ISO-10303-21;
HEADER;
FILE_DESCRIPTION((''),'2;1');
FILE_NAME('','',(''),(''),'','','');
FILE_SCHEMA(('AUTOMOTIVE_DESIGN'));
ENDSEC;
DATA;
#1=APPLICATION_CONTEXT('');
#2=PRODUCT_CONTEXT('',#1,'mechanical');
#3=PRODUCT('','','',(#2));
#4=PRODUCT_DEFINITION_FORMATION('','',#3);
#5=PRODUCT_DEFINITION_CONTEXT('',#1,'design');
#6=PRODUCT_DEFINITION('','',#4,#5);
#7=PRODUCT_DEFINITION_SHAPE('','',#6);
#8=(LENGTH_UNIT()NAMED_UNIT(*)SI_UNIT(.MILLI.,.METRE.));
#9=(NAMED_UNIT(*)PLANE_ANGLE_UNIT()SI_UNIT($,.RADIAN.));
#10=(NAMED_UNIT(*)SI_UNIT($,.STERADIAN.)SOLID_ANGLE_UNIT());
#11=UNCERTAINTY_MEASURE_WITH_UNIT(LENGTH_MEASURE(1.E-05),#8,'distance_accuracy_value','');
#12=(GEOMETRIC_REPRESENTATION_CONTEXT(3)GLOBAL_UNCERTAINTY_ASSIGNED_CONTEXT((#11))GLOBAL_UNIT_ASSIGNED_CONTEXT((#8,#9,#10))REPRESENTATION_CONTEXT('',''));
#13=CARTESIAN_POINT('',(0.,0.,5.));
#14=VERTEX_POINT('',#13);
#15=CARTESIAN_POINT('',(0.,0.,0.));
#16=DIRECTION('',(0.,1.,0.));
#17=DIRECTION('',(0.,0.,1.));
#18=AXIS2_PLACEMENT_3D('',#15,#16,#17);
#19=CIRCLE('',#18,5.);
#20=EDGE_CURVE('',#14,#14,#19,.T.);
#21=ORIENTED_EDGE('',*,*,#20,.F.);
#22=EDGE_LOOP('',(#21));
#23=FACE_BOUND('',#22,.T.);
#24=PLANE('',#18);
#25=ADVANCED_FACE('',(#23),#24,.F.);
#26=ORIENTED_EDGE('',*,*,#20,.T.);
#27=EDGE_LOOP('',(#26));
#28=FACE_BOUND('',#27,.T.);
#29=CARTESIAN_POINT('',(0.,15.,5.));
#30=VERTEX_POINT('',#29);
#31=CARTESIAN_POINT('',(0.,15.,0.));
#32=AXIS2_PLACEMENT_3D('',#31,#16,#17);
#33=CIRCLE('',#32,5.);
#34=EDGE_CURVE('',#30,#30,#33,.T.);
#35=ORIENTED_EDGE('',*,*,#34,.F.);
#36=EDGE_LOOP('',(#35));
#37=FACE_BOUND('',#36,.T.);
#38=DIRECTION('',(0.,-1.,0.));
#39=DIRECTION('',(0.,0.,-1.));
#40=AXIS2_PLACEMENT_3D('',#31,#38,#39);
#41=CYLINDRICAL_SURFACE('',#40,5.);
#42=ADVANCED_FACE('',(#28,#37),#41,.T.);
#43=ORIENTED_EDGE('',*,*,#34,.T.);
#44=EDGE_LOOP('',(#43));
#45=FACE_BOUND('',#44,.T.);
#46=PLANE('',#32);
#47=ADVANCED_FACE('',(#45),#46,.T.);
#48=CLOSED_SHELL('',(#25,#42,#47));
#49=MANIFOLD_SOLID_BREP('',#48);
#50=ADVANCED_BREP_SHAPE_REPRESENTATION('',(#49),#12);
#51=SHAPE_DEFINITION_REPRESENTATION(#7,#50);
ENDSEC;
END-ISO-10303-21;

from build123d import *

# Parameters (mm, degrees)
SKETCH1_R           = 5
BOSS_EXTRUDE1_DEPTH = 15


with BuildPart() as part:
    # Sketch1 → Boss-Extrude1 (new body)
    with BuildSketch(Plane(origin=(0, 0, 0), x_dir=(1, 0, 0), z_dir=(0, 1, 0))):
        Circle(SKETCH1_R)
    extrude(amount=BOSS_EXTRUDE1_DEPTH)


solid = part.part
